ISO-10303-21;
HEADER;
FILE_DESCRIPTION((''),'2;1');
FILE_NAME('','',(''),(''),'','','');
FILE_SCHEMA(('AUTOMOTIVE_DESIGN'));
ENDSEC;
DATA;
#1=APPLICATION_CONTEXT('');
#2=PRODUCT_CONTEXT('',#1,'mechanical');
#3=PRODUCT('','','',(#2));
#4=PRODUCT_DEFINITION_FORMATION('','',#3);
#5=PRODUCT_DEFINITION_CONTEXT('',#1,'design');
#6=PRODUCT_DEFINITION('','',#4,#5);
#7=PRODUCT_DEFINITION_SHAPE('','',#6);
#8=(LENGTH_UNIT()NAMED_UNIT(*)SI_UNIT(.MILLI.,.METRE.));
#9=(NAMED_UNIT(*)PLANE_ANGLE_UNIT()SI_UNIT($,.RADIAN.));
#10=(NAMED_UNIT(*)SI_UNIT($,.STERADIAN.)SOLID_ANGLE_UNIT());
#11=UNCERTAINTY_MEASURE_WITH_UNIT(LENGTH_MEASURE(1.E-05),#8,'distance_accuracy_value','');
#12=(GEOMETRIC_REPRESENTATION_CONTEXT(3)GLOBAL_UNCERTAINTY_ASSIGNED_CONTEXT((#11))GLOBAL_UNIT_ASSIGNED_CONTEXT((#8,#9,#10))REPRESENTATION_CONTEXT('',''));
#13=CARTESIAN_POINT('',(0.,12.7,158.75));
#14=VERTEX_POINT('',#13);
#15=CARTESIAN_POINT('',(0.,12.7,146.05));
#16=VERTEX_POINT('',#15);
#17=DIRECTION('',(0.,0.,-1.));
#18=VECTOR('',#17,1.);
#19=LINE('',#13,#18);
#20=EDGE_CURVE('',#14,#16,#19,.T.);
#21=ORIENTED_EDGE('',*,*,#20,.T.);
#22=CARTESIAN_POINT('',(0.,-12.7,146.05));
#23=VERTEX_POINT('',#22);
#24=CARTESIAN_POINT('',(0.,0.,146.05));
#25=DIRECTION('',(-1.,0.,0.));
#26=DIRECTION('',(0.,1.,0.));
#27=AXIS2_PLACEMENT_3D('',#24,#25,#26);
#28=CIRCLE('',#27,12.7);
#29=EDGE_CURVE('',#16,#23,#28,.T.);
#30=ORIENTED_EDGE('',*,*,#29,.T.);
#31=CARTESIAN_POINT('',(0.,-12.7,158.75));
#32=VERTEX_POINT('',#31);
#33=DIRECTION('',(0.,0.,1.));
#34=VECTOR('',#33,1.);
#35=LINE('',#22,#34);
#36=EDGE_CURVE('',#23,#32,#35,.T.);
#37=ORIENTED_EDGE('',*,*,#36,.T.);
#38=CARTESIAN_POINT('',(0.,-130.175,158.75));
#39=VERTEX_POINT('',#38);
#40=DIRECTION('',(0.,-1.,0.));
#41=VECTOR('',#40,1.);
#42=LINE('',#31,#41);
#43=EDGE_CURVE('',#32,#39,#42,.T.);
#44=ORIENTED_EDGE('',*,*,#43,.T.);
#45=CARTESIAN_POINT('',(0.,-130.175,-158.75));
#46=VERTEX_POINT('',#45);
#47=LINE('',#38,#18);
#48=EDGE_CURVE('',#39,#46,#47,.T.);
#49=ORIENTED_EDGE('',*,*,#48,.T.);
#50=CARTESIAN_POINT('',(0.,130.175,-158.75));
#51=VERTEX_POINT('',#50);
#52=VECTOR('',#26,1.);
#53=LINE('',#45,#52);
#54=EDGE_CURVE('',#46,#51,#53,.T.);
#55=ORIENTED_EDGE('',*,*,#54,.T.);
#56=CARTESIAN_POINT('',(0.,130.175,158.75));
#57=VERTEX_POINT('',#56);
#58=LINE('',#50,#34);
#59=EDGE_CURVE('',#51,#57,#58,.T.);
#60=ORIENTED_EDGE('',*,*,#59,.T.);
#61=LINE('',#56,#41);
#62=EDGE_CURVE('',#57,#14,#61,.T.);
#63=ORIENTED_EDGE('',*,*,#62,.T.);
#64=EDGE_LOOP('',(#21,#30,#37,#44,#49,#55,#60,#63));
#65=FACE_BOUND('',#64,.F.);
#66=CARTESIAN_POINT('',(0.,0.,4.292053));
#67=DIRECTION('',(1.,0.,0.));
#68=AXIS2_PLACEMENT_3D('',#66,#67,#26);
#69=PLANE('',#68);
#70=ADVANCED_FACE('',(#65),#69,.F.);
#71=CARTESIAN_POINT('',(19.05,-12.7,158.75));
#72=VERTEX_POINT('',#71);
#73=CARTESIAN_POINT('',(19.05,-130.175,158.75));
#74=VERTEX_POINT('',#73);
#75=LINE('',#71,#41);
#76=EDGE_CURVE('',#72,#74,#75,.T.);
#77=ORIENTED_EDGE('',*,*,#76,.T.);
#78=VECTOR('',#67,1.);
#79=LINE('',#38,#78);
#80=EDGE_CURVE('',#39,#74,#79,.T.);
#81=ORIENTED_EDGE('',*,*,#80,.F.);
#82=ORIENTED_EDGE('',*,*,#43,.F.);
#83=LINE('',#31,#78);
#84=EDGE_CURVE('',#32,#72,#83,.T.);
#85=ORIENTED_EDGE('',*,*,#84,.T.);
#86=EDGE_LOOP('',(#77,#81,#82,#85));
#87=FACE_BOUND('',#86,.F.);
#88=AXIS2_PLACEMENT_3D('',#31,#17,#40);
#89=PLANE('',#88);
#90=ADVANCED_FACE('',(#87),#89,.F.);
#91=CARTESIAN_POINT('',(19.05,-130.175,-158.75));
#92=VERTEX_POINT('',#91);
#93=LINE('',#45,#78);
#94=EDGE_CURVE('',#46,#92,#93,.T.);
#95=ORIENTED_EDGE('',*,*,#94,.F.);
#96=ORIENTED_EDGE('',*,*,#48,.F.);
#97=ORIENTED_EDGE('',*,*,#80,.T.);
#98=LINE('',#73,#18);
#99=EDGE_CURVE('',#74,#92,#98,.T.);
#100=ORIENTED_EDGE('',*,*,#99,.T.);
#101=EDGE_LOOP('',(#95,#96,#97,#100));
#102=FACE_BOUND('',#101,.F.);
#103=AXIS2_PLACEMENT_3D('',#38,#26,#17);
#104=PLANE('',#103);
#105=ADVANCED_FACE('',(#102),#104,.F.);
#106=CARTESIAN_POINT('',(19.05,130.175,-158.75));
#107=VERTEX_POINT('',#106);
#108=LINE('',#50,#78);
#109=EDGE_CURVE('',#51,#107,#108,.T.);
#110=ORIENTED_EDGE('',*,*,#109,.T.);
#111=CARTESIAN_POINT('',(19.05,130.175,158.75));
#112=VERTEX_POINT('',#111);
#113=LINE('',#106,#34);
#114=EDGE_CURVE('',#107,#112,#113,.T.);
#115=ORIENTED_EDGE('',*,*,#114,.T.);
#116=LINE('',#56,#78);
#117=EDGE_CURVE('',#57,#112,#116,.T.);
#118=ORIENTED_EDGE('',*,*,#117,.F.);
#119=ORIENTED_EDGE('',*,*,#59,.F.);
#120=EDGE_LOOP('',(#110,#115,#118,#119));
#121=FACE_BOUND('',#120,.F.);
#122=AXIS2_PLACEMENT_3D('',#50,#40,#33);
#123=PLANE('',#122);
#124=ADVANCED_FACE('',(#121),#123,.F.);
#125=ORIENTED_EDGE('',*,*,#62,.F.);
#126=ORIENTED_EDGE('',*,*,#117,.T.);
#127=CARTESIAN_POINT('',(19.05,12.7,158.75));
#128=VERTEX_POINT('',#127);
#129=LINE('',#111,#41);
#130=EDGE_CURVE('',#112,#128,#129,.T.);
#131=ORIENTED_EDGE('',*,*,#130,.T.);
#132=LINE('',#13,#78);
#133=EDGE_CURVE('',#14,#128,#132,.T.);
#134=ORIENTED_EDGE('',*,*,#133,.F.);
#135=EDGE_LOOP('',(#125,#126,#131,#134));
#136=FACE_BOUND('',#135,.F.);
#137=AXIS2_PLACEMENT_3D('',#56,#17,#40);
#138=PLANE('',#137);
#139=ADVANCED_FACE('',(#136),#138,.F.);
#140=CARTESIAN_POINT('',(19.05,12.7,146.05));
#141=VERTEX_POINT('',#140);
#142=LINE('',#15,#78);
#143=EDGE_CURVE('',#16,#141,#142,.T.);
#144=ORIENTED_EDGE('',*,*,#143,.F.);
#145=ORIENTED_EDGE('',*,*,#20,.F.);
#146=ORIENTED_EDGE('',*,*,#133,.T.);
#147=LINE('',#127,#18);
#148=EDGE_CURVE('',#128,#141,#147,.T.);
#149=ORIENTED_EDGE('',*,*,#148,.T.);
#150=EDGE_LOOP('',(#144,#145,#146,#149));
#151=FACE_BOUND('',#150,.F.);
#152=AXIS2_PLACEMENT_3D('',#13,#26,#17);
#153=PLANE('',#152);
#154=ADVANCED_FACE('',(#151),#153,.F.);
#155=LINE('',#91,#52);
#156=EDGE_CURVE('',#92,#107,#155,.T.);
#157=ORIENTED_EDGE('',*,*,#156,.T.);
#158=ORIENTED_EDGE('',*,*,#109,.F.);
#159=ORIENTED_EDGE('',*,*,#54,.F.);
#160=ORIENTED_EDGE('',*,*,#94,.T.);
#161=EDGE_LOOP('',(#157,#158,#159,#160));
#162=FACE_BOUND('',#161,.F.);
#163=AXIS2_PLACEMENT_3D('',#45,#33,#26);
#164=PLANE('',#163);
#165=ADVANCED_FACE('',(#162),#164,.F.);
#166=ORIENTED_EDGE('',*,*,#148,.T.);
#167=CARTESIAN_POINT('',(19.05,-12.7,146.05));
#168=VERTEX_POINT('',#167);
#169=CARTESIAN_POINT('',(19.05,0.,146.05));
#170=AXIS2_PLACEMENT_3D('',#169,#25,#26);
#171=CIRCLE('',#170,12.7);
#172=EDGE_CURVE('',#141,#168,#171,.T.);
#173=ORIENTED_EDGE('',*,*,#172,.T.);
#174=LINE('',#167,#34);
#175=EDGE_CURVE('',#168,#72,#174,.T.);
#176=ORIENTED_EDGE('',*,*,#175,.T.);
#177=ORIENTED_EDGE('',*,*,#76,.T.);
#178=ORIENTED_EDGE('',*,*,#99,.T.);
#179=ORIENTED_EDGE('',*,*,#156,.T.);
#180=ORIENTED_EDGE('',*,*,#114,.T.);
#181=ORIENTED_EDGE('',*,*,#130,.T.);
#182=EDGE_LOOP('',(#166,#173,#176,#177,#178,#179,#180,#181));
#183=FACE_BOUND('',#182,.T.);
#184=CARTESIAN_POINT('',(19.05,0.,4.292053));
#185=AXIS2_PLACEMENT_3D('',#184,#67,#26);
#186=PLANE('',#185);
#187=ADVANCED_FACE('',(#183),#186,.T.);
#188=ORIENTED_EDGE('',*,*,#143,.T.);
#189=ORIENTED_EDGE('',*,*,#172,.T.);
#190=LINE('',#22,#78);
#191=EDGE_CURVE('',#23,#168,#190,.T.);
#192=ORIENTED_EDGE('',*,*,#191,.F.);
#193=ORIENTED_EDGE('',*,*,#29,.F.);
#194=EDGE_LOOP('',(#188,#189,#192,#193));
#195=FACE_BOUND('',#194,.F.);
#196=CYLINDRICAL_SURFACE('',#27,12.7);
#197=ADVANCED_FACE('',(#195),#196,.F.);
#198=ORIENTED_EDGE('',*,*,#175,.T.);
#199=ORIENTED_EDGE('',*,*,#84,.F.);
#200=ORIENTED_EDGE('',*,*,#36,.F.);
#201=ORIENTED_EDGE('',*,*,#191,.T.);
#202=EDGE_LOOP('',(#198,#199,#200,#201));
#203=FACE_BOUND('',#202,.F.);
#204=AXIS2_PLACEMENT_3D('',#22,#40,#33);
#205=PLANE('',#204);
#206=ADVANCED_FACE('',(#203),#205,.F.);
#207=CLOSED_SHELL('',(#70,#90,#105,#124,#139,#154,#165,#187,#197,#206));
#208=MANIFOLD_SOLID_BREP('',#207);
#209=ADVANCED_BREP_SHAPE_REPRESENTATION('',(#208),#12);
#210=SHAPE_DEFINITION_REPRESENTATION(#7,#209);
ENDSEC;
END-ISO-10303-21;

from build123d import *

# Parameters (mm, degrees)
F1_DEPTH = 19.05


with BuildPart() as f1:
    # F0 (on Right) → F1 (new body)
    with BuildSketch(Plane.YZ):
        with BuildLine():
            Line((130.175, -158.75), (130.175, 158.75))
            Line((130.175, 158.75), (12.7, 158.75))
            Line((12.7, 158.75), (12.7, 146.05))
            ThreePointArc((12.7, 146.05), (0, 133.35), (-12.7, 146.05))
            Line((-12.7, 146.05), (-12.7, 158.75))
            Line((-12.7, 158.75), (-130.175, 158.75))
            Line((-130.175, 158.75), (-130.175, -158.75))
            Line((-130.175, -158.75), (130.175, -158.75))
        make_face()
    extrude(amount=F1_DEPTH)


solid = f1.part
